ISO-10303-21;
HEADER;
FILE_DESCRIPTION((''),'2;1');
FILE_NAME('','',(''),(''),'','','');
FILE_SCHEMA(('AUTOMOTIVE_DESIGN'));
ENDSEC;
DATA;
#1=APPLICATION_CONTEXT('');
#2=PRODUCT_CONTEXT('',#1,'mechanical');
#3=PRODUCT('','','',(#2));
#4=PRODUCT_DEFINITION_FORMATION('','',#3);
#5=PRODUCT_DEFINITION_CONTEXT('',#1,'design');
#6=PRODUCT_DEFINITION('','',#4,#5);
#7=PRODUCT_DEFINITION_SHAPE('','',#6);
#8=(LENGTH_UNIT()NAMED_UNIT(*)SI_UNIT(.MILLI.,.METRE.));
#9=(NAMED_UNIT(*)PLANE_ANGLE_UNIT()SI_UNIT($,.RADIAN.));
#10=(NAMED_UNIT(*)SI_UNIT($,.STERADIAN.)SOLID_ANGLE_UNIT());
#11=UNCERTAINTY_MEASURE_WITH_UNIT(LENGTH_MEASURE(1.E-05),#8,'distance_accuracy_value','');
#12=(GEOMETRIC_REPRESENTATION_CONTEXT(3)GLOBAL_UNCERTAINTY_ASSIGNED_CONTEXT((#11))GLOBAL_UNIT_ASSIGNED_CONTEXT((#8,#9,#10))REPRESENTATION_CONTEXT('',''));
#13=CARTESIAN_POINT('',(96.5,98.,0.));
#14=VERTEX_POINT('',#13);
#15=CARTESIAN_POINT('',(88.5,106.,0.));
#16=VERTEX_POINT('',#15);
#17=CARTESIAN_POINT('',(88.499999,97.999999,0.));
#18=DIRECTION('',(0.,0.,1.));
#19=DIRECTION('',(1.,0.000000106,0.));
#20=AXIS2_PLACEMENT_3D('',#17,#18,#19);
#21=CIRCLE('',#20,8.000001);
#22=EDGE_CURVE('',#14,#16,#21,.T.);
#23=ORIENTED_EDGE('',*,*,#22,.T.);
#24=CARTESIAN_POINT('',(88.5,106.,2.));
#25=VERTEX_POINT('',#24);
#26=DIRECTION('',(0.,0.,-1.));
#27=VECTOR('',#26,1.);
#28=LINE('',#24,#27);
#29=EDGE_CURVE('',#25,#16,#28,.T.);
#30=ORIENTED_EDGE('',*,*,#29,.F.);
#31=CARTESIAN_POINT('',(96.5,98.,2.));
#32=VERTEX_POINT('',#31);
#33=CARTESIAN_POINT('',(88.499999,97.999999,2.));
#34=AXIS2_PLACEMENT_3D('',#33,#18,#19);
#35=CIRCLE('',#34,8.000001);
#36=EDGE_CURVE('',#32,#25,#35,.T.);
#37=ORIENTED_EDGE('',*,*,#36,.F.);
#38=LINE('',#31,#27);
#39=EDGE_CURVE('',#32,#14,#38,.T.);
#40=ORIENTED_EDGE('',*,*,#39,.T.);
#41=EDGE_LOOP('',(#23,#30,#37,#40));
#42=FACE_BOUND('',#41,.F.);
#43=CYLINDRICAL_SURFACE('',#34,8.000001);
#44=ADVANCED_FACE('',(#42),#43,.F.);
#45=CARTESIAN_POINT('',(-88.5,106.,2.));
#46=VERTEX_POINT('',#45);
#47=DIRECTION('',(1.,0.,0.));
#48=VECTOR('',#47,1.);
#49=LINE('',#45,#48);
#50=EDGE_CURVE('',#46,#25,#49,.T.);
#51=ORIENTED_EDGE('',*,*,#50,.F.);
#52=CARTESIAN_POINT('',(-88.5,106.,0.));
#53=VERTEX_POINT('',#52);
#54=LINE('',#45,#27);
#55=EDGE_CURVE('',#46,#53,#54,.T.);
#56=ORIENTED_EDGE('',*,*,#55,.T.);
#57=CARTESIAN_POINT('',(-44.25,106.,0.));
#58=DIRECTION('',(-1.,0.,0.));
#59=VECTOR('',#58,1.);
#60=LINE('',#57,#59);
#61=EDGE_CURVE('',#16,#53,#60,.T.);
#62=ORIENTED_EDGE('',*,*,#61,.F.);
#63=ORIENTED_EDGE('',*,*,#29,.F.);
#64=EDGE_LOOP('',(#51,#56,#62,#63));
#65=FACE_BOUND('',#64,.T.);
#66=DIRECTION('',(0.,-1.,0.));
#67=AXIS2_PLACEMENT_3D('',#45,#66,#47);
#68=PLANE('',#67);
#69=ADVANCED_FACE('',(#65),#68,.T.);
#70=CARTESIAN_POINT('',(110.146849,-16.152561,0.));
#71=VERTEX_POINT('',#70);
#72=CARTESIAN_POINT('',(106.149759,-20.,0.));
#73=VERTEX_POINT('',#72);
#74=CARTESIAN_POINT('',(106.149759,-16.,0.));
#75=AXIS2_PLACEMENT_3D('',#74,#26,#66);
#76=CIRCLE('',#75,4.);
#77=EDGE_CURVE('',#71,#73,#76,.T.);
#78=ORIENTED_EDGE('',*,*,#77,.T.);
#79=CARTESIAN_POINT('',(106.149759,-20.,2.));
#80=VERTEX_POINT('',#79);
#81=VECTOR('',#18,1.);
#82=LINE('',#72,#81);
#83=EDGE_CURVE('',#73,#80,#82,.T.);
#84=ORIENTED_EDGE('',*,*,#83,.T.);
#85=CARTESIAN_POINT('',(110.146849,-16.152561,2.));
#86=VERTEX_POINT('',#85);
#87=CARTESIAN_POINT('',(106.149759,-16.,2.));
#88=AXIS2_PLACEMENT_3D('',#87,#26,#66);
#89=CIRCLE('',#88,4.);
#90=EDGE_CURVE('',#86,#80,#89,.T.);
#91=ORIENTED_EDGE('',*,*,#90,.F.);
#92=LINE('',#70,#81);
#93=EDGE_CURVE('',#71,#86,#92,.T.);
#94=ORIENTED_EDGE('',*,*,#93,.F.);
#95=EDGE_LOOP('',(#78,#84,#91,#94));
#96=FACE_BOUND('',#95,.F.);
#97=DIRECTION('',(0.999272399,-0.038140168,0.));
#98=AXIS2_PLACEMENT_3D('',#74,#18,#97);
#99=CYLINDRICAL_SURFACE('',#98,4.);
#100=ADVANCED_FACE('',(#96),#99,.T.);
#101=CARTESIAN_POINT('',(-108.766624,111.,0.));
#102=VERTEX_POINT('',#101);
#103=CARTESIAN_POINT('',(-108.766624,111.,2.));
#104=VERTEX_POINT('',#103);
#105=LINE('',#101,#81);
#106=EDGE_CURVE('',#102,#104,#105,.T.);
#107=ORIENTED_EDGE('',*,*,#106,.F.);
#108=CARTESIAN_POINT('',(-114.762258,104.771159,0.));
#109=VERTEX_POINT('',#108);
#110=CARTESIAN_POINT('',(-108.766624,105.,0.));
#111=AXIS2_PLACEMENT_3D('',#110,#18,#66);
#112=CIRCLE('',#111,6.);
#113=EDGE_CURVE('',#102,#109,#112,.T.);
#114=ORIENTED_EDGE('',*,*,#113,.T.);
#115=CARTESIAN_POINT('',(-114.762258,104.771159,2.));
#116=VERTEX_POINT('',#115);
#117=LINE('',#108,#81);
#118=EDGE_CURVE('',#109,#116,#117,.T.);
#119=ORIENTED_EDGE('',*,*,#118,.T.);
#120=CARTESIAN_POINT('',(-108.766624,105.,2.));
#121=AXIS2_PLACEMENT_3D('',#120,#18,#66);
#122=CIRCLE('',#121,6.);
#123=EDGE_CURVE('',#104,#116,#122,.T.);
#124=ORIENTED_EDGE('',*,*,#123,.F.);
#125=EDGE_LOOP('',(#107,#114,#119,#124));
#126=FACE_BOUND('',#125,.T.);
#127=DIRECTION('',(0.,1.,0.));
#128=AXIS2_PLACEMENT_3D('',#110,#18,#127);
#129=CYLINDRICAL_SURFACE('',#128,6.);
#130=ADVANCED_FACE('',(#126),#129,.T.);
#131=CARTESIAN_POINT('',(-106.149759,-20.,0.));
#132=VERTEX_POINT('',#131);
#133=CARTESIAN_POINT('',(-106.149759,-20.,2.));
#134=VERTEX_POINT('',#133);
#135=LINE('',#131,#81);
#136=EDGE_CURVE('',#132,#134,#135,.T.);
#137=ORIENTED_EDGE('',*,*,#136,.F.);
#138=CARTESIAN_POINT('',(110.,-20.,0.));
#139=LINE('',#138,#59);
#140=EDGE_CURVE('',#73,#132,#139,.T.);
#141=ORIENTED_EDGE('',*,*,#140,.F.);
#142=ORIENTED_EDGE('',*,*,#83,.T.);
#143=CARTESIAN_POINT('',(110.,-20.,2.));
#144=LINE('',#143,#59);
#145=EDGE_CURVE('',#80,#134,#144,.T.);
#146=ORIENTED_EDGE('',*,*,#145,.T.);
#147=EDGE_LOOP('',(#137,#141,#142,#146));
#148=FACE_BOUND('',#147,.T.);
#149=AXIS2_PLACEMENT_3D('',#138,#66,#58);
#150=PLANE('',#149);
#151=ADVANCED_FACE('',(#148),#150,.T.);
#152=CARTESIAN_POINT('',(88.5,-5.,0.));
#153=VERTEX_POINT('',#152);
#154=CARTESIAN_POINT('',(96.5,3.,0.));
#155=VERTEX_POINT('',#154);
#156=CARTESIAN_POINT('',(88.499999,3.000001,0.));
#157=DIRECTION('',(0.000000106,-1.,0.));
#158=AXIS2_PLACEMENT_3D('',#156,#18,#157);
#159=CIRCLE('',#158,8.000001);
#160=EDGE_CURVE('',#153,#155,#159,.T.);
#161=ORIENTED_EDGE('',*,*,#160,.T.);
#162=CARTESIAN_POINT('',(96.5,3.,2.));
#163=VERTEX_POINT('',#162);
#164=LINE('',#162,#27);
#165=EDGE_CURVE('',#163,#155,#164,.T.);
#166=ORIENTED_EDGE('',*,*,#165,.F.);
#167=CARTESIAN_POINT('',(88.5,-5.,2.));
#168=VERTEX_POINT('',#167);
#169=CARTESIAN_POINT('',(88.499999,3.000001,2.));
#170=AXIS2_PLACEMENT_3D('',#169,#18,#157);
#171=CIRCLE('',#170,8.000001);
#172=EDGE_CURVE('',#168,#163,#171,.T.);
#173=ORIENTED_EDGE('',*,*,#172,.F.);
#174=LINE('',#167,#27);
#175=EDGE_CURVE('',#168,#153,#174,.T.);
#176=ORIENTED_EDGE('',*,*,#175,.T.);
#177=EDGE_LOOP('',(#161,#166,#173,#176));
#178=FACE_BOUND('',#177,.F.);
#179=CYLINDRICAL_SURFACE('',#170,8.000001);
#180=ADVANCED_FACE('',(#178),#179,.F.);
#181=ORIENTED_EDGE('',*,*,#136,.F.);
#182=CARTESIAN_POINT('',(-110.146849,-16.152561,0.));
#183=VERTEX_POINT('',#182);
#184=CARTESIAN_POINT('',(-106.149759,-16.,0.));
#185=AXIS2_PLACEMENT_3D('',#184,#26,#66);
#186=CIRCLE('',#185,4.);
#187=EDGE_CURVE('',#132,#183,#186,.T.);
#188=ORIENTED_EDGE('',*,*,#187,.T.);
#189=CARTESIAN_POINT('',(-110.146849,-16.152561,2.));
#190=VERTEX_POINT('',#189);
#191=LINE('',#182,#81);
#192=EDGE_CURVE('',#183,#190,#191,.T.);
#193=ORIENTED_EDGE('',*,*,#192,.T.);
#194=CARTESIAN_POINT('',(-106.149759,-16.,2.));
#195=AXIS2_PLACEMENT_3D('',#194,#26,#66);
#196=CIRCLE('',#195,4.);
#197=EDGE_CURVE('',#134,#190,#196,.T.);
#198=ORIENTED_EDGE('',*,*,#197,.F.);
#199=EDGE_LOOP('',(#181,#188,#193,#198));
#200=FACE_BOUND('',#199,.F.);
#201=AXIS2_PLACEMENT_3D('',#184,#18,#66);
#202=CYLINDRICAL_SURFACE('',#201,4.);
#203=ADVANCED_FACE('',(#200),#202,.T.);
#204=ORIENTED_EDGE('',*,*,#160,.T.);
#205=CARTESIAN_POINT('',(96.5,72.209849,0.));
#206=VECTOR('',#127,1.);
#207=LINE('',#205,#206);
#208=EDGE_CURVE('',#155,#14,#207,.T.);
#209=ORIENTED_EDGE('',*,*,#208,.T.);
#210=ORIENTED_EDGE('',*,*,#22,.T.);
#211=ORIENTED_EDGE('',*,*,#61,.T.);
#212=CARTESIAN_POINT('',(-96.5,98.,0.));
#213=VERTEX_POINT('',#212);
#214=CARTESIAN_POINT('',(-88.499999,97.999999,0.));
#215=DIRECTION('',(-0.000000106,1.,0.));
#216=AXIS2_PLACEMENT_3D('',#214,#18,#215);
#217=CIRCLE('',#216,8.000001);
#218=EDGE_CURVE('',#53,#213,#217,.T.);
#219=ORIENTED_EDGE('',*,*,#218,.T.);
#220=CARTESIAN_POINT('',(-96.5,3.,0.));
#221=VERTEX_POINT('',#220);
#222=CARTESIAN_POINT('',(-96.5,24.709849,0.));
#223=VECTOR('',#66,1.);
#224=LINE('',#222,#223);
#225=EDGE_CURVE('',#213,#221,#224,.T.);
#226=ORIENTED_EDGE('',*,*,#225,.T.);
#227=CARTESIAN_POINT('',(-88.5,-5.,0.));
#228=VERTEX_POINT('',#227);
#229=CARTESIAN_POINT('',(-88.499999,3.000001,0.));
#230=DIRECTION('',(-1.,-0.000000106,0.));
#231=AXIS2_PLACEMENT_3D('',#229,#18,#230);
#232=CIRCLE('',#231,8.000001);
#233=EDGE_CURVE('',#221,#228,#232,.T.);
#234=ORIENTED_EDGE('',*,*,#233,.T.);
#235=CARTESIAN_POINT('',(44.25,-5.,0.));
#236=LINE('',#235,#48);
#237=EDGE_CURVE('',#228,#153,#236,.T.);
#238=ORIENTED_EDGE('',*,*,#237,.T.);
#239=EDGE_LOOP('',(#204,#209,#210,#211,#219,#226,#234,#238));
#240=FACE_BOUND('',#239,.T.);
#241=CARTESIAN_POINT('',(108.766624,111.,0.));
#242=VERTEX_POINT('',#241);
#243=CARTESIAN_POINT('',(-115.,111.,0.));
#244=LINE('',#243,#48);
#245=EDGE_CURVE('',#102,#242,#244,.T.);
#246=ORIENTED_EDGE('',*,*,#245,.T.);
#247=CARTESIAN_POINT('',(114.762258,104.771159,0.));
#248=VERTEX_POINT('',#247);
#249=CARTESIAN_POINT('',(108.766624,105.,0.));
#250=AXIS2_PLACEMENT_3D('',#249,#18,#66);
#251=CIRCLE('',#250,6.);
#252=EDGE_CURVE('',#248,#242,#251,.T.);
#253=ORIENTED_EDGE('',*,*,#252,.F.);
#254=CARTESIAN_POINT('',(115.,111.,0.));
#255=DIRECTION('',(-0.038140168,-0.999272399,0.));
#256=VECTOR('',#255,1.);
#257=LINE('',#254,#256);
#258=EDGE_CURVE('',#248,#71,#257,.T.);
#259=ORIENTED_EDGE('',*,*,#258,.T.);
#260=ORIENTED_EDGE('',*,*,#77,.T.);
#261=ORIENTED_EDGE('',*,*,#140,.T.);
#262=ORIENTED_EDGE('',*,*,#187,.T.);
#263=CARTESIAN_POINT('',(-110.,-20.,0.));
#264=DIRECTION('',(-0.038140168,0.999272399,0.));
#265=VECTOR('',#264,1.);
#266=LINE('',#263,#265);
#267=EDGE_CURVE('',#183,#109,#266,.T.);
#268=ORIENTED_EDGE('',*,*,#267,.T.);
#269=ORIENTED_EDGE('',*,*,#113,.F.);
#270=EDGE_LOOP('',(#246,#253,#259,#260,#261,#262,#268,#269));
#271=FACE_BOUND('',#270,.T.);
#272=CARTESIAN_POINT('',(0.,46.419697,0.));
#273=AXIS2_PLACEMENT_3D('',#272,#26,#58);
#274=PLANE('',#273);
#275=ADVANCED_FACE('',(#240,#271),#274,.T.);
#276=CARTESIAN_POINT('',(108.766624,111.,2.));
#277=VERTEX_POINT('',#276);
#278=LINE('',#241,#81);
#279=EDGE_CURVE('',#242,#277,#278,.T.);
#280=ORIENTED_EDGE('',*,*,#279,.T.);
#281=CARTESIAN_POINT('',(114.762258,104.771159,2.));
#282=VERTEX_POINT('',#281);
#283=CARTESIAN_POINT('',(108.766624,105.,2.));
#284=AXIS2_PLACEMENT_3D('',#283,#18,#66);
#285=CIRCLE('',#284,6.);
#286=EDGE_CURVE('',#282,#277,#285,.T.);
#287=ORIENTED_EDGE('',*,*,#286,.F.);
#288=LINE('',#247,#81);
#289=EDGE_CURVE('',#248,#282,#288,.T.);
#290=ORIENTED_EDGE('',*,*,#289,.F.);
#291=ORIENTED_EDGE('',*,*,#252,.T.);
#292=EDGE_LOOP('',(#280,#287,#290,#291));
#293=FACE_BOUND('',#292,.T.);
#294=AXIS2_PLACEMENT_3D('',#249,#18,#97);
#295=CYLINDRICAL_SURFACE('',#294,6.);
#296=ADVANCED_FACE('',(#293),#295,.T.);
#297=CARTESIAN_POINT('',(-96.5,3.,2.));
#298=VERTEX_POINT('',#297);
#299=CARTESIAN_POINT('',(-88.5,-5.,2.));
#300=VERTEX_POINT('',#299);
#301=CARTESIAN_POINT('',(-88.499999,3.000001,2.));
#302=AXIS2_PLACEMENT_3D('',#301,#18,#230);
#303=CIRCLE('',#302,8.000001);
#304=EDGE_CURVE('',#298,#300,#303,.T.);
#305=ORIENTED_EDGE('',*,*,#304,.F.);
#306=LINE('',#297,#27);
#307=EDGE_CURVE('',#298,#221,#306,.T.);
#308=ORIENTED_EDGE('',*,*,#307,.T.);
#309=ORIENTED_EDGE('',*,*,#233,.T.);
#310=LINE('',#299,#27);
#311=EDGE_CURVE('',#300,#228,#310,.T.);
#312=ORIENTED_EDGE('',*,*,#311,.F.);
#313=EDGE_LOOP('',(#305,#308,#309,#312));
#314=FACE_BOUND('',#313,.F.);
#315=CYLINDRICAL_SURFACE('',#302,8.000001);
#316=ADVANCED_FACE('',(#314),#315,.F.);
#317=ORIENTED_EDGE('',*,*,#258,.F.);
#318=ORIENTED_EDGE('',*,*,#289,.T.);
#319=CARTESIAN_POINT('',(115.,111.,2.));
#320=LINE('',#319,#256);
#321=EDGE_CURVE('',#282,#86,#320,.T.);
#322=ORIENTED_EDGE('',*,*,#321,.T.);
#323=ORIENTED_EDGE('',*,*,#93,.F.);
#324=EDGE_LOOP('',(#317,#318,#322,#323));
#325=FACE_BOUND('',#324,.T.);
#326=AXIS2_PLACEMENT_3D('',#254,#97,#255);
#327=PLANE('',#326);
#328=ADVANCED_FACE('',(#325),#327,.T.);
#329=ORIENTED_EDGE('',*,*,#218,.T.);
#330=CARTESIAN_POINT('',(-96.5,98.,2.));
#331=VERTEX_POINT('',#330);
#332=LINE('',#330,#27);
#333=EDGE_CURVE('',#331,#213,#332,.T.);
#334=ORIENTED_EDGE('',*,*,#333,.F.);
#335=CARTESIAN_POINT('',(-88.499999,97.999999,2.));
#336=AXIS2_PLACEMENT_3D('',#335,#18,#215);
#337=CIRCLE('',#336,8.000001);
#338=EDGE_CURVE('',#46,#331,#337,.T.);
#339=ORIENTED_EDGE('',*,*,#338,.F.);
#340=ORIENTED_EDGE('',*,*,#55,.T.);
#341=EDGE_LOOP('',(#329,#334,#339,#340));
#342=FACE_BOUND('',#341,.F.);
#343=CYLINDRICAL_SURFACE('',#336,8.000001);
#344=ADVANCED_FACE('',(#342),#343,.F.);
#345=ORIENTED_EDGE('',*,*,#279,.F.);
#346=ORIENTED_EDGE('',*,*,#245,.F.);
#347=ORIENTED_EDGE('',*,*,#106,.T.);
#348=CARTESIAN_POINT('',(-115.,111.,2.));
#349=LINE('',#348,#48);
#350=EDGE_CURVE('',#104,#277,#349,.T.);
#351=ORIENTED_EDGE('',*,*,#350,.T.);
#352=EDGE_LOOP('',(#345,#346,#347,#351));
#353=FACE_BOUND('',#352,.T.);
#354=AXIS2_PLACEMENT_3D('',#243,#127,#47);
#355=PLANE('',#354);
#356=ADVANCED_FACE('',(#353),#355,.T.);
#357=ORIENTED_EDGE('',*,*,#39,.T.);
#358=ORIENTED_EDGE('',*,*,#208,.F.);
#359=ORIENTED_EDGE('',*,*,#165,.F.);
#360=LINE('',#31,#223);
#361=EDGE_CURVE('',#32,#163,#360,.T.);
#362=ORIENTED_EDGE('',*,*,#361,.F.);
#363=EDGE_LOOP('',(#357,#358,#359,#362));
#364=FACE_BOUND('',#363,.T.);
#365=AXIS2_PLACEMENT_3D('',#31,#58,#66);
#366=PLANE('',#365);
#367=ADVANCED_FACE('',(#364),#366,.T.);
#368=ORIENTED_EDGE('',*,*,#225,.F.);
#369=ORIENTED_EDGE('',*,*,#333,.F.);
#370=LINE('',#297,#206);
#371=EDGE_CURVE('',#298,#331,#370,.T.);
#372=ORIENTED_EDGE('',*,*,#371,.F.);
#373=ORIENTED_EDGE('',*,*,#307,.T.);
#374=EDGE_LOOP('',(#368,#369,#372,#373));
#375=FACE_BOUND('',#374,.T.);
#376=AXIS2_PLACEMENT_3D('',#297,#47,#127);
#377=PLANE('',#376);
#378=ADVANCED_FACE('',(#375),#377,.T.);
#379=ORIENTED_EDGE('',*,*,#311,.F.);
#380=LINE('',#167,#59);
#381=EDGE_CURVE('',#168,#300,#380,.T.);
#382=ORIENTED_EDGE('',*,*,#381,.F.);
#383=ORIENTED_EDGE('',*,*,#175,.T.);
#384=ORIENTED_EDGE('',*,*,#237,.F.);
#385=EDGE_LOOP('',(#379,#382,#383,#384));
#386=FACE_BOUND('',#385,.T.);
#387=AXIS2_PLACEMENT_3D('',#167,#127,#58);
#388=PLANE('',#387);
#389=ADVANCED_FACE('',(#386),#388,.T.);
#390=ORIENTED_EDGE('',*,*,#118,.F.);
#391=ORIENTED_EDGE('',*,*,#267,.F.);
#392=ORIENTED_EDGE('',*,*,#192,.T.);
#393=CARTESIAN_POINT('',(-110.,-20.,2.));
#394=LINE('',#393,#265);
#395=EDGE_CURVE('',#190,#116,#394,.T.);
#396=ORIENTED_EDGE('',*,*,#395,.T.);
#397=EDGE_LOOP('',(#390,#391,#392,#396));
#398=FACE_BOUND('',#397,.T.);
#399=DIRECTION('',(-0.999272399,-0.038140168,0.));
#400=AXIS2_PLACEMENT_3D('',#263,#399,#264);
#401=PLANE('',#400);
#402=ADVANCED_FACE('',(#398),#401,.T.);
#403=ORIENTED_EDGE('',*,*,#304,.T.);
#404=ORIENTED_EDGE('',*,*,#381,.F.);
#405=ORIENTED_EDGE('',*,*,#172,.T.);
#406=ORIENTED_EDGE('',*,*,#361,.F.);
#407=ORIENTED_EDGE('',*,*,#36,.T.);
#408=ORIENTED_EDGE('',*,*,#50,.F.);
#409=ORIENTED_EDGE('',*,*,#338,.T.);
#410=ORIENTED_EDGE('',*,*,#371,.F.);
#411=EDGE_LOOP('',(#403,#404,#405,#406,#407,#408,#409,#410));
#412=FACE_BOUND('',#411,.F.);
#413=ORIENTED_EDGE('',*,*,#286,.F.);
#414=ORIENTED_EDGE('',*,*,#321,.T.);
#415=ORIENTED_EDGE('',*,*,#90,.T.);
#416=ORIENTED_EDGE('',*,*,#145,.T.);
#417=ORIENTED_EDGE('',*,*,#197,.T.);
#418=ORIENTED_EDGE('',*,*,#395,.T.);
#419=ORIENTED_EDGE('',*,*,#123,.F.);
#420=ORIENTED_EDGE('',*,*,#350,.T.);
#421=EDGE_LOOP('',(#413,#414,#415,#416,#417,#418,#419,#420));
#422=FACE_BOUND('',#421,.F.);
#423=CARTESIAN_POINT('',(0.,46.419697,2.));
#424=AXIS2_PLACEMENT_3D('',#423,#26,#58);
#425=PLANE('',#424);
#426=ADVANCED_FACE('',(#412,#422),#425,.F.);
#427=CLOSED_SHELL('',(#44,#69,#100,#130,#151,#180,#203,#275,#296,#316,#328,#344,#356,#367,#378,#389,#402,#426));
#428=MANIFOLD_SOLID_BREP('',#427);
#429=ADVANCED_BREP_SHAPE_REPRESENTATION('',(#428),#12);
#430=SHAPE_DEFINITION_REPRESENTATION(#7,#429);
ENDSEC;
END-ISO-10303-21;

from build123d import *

# Parameters (mm, degrees)
PAD_DEPTH    = 2
FILLET_R     = 4
FILLET001_R  = 6
POCKET_DEPTH = 5


with BuildPart() as part:
    # Sketch → Pad (new body)
    with BuildSketch(Plane.XY):
        Polygon((-115, 111), (115, 111), (110, -20), (-110, -20), align=None)
    extrude(amount=PAD_DEPTH)

    # Fillet
    fillet_edges = [part.edges().sort_by_distance(p)[0] for p in [
        (-110, -20, 1),
        (110, -20, 1),
    ]]
    fillet(fillet_edges, radius=FILLET_R)

    # Fillet001
    fillet001_edges = [part.edges().sort_by_distance(p)[0] for p in [
        (-115, 111, 1),
        (115, 111, 1),
    ]]
    fillet(fillet001_edges, radius=FILLET001_R)

    # Sketch001 (on Face5 of Fillet001) → Pocket (cut)
    with BuildSketch(Plane.XY.offset(2)):
        with BuildLine():
            Line((-88.5, 106), (88.5, 106))
            ThreePointArc((96.5, 98), (94.156854, 103.656854), (88.5, 106))
            Line((96.5, 98), (96.5, 3))
            ThreePointArc((88.5, -5), (94.156854, -2.656854), (96.5, 3))
            Line((88.5, -5), (-88.5, -5))
            ThreePointArc((-96.5, 3), (-94.156854, -2.656854), (-88.5, -5))
            Line((-96.5, 3), (-96.5, 98))
            ThreePointArc((-88.5, 106), (-94.156854, 103.656854), (-96.5, 98))
        make_face()
    extrude(amount=-POCKET_DEPTH, mode=Mode.SUBTRACT)


solid = part.part
